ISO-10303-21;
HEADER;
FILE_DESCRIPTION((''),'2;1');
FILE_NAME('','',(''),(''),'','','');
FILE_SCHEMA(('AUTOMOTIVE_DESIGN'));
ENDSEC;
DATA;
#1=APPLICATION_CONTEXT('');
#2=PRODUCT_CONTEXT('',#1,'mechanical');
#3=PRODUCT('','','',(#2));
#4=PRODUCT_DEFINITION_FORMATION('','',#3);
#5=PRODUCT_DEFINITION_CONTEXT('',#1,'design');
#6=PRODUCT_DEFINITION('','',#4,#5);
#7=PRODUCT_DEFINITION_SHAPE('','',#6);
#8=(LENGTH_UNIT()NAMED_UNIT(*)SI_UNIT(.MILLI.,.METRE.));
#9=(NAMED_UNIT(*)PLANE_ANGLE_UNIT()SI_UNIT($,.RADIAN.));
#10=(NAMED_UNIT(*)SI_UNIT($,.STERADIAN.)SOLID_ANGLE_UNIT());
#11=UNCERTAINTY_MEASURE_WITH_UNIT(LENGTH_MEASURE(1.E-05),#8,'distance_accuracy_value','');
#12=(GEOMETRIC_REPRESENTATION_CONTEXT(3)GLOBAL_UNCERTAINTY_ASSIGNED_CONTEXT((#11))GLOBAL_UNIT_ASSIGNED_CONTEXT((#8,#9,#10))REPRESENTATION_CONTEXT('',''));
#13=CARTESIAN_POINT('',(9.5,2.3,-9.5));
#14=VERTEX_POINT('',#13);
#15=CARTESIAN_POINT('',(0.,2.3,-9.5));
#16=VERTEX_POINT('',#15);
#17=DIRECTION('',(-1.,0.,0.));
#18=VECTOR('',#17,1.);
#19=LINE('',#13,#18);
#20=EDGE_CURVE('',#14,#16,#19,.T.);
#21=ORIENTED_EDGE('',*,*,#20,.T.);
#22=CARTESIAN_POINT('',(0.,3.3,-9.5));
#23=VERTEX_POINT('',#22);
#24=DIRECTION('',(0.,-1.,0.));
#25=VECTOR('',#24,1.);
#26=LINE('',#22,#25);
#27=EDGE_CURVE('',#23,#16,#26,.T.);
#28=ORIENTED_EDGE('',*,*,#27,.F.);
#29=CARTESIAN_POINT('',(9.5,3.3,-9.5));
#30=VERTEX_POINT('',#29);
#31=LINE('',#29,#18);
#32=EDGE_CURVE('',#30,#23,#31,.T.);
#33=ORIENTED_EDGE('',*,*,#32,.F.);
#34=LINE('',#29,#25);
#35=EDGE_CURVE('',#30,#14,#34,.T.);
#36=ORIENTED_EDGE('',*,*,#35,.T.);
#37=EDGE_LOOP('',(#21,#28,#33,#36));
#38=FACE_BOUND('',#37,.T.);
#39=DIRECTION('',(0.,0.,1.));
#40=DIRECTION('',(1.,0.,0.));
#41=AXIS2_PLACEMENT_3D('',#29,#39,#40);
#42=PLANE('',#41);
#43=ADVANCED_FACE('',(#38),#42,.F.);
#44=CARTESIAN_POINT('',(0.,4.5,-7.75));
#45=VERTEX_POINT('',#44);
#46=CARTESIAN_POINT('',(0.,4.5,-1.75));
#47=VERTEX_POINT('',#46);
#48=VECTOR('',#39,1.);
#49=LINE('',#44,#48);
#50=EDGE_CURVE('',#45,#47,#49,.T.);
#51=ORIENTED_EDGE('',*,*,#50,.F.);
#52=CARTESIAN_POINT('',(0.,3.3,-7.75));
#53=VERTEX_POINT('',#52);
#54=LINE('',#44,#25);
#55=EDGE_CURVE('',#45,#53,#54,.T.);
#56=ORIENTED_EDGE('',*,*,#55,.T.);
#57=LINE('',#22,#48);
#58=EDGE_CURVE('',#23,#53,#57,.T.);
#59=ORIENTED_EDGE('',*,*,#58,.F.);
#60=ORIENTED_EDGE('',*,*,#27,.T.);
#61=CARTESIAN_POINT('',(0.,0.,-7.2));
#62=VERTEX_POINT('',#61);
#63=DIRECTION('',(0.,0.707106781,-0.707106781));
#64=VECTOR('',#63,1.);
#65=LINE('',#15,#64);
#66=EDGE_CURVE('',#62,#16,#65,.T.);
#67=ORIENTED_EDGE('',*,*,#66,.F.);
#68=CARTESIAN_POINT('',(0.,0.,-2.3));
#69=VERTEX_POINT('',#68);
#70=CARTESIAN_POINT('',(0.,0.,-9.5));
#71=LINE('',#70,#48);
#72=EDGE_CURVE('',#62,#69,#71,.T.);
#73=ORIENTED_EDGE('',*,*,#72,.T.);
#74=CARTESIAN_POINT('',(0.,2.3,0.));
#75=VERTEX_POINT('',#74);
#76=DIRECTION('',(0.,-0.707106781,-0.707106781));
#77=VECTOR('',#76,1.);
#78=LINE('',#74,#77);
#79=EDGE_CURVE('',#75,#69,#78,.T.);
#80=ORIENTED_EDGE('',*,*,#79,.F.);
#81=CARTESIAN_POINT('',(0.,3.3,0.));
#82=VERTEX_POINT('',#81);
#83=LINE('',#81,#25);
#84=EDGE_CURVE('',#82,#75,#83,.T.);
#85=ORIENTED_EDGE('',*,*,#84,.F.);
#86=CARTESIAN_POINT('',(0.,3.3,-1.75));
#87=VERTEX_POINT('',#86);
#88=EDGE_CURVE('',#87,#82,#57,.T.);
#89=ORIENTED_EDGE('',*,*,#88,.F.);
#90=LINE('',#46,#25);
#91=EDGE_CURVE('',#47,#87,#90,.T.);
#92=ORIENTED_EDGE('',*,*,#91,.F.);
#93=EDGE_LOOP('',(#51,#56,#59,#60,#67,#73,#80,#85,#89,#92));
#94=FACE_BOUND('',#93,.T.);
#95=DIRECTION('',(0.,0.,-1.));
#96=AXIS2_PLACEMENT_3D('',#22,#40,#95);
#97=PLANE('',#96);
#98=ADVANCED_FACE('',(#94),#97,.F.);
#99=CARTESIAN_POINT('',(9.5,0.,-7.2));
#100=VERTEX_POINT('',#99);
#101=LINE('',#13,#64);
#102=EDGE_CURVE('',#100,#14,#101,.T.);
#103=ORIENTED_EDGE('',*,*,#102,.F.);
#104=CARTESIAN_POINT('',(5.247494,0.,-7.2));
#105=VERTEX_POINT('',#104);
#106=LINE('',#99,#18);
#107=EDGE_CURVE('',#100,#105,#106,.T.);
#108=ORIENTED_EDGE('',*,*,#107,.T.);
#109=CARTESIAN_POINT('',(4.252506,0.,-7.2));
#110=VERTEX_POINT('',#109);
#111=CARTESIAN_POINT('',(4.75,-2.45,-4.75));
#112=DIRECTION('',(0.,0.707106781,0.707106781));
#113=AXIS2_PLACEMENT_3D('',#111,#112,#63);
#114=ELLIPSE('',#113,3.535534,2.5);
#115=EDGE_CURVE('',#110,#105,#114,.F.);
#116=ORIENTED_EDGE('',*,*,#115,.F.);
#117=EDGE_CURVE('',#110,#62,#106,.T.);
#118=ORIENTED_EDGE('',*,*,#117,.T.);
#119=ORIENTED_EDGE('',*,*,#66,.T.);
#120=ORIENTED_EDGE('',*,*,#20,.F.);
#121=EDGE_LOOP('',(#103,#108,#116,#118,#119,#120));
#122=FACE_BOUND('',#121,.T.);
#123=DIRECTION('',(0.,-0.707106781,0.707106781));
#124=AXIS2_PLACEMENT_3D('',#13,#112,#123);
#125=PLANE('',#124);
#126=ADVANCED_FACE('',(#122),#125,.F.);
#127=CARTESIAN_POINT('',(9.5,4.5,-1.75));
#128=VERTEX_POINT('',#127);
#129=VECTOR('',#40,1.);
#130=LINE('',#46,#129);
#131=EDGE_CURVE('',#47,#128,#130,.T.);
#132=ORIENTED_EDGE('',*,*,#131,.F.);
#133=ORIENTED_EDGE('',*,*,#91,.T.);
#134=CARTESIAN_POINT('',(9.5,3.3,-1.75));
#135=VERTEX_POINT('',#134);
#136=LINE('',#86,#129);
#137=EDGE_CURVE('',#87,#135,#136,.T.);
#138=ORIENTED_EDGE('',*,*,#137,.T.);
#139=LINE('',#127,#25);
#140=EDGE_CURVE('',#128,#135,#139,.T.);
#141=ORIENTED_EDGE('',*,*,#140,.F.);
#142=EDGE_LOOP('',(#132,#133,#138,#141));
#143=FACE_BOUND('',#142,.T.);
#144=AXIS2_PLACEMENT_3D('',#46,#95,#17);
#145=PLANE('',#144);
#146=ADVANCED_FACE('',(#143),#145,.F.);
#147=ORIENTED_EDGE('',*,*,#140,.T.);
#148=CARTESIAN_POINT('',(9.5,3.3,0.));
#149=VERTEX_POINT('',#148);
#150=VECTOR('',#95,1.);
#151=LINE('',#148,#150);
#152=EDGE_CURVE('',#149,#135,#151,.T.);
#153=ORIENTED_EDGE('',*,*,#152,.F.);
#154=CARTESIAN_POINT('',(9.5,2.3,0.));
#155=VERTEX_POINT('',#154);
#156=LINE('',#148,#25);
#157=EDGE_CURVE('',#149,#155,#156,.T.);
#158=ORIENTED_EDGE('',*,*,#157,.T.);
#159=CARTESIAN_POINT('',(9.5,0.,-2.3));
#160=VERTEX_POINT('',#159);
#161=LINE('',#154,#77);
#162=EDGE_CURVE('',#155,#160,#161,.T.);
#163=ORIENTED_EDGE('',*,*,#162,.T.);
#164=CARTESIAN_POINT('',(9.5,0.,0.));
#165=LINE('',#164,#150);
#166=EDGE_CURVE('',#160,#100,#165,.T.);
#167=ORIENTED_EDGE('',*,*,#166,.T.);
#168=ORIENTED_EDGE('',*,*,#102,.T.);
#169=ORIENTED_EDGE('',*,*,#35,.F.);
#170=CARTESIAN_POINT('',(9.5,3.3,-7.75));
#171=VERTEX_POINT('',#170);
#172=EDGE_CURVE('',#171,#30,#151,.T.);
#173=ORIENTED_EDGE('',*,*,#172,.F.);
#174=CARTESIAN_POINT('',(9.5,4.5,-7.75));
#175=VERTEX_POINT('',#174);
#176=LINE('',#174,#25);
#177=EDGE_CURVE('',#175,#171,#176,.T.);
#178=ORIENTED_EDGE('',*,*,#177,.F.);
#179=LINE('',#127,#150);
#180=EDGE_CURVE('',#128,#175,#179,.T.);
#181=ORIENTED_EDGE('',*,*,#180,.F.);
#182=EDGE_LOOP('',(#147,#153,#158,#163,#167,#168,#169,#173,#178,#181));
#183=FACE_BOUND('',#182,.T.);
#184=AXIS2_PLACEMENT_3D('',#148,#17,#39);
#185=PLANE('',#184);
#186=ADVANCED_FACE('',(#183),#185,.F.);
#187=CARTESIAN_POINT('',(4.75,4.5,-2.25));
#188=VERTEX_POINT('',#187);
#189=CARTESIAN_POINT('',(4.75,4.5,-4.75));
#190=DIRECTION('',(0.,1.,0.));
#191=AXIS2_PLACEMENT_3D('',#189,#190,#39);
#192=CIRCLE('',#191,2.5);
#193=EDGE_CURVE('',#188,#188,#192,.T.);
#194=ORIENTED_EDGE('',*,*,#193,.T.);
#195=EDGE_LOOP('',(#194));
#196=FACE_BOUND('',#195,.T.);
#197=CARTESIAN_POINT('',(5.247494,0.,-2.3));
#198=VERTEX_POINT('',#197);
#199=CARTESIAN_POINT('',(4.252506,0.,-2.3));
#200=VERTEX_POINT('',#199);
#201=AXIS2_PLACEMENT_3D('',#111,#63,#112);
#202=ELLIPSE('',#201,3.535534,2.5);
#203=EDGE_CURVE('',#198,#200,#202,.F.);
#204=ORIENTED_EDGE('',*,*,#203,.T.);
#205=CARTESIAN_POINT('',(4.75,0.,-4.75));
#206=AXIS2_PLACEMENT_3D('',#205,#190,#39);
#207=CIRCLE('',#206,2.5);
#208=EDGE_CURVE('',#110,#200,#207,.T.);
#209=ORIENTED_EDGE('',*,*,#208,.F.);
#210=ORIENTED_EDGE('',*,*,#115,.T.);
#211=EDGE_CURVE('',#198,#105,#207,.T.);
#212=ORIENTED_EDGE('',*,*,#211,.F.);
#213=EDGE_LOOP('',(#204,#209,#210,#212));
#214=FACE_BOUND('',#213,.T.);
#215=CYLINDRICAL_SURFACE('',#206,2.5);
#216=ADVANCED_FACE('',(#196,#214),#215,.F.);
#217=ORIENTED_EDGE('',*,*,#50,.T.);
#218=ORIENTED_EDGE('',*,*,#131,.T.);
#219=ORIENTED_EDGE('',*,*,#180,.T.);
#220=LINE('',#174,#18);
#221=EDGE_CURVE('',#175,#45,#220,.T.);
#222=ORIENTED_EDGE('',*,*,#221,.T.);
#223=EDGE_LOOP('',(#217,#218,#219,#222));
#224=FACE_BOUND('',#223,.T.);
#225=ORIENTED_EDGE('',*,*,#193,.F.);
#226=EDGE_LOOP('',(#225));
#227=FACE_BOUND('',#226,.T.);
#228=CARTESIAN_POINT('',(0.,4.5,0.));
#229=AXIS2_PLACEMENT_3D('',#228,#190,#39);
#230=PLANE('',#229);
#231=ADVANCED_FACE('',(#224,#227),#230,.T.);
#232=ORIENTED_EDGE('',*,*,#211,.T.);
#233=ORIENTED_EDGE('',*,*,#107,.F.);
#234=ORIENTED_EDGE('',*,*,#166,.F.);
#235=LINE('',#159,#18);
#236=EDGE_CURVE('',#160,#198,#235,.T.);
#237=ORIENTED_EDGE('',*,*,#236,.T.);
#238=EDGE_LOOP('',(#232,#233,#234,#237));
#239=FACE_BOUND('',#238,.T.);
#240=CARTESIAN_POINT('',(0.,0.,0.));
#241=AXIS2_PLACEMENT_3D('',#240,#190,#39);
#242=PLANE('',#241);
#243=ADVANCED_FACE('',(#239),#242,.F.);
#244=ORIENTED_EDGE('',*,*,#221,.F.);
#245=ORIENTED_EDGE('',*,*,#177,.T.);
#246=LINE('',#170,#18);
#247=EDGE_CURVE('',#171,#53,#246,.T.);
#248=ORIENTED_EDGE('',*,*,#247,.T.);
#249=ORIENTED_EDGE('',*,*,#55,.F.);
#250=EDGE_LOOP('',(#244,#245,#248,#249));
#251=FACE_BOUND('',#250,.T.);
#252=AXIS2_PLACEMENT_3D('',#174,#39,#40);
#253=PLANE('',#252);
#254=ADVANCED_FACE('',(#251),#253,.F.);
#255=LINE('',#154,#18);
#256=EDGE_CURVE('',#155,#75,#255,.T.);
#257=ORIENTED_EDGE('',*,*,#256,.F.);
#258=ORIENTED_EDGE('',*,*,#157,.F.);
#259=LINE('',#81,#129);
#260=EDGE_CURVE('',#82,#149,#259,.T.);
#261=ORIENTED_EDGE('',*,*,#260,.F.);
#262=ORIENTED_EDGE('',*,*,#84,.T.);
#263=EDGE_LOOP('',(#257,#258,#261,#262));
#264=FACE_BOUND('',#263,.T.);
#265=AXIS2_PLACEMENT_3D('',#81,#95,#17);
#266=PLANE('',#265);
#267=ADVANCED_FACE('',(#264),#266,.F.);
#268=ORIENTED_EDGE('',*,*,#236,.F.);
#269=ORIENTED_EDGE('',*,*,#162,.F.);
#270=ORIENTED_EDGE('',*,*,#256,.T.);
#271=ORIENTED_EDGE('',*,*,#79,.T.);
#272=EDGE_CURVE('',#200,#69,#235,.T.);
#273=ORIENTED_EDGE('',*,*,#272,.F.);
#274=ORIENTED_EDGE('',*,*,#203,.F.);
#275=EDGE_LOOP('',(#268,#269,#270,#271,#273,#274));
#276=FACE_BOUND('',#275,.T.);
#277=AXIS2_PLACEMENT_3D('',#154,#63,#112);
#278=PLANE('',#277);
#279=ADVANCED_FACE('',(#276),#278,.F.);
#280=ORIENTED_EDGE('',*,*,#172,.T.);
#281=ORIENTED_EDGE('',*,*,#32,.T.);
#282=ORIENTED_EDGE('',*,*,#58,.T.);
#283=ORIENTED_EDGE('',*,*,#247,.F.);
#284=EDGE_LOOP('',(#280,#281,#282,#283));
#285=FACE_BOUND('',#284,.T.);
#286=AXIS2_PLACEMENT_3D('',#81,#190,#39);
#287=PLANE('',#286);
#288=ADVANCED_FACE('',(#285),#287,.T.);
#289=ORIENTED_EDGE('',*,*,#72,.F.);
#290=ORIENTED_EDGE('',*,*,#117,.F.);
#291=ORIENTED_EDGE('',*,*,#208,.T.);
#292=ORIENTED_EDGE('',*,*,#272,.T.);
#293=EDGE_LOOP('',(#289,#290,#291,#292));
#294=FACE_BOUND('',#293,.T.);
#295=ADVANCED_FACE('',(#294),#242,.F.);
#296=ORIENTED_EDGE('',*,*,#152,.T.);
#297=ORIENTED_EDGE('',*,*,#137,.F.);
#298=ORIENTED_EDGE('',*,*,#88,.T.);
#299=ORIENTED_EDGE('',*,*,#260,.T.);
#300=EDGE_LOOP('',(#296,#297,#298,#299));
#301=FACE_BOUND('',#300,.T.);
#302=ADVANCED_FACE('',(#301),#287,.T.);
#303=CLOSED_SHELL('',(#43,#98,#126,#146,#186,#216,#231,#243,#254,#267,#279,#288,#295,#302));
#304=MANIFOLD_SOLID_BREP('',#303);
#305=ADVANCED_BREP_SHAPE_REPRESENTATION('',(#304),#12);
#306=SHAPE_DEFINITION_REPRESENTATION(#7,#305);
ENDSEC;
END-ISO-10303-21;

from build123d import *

# Parameters (mm, degrees)
SKETCH_1_W          = 9.5
SKETCH_1_H          = 9.5
EXTRUDE_1_DEPTH     = 3.3
SKETCH_2_W          = 9.5
SKETCH_2_H          = 6
EXTRUDE_2_DEPTH     = 1.2
SKETCH_3_R          = 2.5
CUT_EXTRUDE_1_DEPTH = 5.5
CUT_EXTRUDE_2_DEPTH = 10.5


with BuildPart() as part:
    # 草图1 → 凸台-拉伸1 (new body)
    with BuildSketch(Plane(origin=(0, 0, 0), x_dir=(1, 0, 0), z_dir=(0, 1, 0))):
        with Locations((4.75, 4.75)):
            Rectangle(SKETCH_1_W, SKETCH_1_H)
    extrude(amount=EXTRUDE_1_DEPTH)

    # 草图2 → 凸台-拉伸2 (add)
    with BuildSketch(Plane(origin=(0, 3.3, 0), x_dir=(1, 0, 0), z_dir=(0, 1, 0))):
        with Locations((4.75, 4.75)):
            Rectangle(SKETCH_2_W, SKETCH_2_H)
    extrude(amount=EXTRUDE_2_DEPTH)

    # 草图3 → 切除-拉伸1 (cut, through all)
    with BuildSketch(Plane(origin=(0, 4.5, 0), x_dir=(1, 0, 0), z_dir=(0, 1, 0))):
        with Locations((4.75, 4.75)):
            Circle(SKETCH_3_R)
    extrude(amount=-CUT_EXTRUDE_1_DEPTH, mode=Mode.SUBTRACT)

    # 草图4 → 切除-拉伸2 (cut, through all)
    with BuildSketch(Plane.ZY):
        Polygon((-9.5, 2.3), (-7.2, 0), (-9.5, 0), align=None)
        Polygon((0, 2.3), (-2.3, 0), (0, 0), align=None)
    extrude(amount=-CUT_EXTRUDE_2_DEPTH, mode=Mode.SUBTRACT)


solid = part.part
